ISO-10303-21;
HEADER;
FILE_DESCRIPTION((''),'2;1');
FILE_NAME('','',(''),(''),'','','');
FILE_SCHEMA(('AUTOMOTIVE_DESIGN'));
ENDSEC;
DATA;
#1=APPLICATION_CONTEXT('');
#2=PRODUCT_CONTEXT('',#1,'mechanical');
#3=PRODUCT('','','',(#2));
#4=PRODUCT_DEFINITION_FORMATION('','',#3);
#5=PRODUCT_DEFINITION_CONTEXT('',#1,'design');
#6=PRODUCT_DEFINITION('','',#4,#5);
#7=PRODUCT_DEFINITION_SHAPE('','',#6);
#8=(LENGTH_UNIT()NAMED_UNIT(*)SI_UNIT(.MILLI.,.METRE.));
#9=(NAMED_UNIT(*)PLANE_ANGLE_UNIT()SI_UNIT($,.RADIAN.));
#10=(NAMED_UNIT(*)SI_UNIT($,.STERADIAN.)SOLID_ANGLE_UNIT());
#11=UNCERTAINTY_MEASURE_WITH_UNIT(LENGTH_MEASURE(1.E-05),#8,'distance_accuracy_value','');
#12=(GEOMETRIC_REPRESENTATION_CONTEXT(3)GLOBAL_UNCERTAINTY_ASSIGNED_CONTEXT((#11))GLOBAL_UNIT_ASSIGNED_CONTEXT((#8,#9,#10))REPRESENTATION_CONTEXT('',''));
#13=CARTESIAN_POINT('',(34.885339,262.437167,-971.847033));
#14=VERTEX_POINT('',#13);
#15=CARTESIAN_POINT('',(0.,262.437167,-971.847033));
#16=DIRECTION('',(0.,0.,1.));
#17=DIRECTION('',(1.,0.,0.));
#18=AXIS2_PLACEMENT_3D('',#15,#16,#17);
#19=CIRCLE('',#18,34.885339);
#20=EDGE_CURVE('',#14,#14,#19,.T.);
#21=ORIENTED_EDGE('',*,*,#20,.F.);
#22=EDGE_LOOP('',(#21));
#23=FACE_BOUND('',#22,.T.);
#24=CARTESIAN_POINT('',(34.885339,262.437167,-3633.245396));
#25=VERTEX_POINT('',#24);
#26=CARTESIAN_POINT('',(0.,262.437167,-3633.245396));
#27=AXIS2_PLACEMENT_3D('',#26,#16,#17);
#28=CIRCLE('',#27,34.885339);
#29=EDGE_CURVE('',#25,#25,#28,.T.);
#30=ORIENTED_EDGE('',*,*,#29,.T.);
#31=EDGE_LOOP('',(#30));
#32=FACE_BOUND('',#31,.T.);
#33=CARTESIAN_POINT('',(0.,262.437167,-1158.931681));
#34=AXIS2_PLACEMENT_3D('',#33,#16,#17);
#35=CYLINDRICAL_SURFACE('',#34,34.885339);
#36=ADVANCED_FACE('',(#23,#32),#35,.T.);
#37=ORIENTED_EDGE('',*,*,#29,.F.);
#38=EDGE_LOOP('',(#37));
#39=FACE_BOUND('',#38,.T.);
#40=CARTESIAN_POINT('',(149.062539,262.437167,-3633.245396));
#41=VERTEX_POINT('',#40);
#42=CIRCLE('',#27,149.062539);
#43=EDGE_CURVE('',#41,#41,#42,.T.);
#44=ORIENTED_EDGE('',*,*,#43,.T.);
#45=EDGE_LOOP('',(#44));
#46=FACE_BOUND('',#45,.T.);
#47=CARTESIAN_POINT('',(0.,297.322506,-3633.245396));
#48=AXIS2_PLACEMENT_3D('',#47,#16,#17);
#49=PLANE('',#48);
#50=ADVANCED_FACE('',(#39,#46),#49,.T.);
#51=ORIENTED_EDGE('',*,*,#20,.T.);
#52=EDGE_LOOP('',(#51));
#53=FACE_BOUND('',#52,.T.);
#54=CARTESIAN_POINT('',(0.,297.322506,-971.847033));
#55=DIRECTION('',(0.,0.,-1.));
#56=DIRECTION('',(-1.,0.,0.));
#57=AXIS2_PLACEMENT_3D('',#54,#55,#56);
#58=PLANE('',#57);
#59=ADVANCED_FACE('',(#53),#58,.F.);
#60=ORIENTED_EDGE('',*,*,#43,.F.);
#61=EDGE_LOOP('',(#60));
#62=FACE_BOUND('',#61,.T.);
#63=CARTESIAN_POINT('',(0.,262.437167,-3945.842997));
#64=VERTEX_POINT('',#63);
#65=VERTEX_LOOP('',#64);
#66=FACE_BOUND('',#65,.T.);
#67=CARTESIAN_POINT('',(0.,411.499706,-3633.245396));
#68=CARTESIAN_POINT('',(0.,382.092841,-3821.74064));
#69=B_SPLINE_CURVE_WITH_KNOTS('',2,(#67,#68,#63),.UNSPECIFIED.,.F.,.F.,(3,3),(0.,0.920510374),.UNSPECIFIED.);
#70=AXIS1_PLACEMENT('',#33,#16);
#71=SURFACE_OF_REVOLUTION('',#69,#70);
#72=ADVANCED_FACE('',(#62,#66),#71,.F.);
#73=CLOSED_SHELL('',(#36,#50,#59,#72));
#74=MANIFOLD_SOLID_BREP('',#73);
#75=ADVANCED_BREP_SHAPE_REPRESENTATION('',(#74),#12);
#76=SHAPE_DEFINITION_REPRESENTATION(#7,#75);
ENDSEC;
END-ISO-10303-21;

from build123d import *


with BuildPart() as part:
    # Sketch4 → Revolve4 (revolve)
    with BuildSketch(Plane(origin=(0, 0, 0), x_dir=(0, 0, -1), z_dir=(1, 0, 0))):
        with BuildLine():
            Line((1228.290091086, 297.322506275), (1962.317567139, 297.322506275))
            Line((1962.317567139, 297.322506275), (3617.148645535, 297.322506275))
            Line((3617.148645535, 297.322506275), (3633.245395961, 297.322506275))
            Line((3633.245395961, 297.322506275), (3633.245395961, 411.499706435))
            add(Edge.make_bspline(
                [(3633.245395961, 411.499706435), (3821.740640388, 382.092840605), (3945.842996946, 262.437167269)],
                knots=[0, 0, 0, 0.920510374, 0.920510374, 0.920510374], degree=2))
            Line((3945.842996946, 262.437167269), (1158.931681116, 262.437167269))
            Line((1158.931681116, 262.437167269), (971.847033357, 262.437167269))
            Line((971.847033357, 262.437167269), (971.847033357, 297.322506275))
            Line((971.847033357, 297.322506275), (1158.931681116, 297.322506275))
            Line((1158.931681116, 297.322506275), (1228.290091086, 297.322506275))
        make_face()
    revolve(axis=Axis((0, 262.437167269, -1158.931681116), (0, 0, -1)))


solid = part.part
